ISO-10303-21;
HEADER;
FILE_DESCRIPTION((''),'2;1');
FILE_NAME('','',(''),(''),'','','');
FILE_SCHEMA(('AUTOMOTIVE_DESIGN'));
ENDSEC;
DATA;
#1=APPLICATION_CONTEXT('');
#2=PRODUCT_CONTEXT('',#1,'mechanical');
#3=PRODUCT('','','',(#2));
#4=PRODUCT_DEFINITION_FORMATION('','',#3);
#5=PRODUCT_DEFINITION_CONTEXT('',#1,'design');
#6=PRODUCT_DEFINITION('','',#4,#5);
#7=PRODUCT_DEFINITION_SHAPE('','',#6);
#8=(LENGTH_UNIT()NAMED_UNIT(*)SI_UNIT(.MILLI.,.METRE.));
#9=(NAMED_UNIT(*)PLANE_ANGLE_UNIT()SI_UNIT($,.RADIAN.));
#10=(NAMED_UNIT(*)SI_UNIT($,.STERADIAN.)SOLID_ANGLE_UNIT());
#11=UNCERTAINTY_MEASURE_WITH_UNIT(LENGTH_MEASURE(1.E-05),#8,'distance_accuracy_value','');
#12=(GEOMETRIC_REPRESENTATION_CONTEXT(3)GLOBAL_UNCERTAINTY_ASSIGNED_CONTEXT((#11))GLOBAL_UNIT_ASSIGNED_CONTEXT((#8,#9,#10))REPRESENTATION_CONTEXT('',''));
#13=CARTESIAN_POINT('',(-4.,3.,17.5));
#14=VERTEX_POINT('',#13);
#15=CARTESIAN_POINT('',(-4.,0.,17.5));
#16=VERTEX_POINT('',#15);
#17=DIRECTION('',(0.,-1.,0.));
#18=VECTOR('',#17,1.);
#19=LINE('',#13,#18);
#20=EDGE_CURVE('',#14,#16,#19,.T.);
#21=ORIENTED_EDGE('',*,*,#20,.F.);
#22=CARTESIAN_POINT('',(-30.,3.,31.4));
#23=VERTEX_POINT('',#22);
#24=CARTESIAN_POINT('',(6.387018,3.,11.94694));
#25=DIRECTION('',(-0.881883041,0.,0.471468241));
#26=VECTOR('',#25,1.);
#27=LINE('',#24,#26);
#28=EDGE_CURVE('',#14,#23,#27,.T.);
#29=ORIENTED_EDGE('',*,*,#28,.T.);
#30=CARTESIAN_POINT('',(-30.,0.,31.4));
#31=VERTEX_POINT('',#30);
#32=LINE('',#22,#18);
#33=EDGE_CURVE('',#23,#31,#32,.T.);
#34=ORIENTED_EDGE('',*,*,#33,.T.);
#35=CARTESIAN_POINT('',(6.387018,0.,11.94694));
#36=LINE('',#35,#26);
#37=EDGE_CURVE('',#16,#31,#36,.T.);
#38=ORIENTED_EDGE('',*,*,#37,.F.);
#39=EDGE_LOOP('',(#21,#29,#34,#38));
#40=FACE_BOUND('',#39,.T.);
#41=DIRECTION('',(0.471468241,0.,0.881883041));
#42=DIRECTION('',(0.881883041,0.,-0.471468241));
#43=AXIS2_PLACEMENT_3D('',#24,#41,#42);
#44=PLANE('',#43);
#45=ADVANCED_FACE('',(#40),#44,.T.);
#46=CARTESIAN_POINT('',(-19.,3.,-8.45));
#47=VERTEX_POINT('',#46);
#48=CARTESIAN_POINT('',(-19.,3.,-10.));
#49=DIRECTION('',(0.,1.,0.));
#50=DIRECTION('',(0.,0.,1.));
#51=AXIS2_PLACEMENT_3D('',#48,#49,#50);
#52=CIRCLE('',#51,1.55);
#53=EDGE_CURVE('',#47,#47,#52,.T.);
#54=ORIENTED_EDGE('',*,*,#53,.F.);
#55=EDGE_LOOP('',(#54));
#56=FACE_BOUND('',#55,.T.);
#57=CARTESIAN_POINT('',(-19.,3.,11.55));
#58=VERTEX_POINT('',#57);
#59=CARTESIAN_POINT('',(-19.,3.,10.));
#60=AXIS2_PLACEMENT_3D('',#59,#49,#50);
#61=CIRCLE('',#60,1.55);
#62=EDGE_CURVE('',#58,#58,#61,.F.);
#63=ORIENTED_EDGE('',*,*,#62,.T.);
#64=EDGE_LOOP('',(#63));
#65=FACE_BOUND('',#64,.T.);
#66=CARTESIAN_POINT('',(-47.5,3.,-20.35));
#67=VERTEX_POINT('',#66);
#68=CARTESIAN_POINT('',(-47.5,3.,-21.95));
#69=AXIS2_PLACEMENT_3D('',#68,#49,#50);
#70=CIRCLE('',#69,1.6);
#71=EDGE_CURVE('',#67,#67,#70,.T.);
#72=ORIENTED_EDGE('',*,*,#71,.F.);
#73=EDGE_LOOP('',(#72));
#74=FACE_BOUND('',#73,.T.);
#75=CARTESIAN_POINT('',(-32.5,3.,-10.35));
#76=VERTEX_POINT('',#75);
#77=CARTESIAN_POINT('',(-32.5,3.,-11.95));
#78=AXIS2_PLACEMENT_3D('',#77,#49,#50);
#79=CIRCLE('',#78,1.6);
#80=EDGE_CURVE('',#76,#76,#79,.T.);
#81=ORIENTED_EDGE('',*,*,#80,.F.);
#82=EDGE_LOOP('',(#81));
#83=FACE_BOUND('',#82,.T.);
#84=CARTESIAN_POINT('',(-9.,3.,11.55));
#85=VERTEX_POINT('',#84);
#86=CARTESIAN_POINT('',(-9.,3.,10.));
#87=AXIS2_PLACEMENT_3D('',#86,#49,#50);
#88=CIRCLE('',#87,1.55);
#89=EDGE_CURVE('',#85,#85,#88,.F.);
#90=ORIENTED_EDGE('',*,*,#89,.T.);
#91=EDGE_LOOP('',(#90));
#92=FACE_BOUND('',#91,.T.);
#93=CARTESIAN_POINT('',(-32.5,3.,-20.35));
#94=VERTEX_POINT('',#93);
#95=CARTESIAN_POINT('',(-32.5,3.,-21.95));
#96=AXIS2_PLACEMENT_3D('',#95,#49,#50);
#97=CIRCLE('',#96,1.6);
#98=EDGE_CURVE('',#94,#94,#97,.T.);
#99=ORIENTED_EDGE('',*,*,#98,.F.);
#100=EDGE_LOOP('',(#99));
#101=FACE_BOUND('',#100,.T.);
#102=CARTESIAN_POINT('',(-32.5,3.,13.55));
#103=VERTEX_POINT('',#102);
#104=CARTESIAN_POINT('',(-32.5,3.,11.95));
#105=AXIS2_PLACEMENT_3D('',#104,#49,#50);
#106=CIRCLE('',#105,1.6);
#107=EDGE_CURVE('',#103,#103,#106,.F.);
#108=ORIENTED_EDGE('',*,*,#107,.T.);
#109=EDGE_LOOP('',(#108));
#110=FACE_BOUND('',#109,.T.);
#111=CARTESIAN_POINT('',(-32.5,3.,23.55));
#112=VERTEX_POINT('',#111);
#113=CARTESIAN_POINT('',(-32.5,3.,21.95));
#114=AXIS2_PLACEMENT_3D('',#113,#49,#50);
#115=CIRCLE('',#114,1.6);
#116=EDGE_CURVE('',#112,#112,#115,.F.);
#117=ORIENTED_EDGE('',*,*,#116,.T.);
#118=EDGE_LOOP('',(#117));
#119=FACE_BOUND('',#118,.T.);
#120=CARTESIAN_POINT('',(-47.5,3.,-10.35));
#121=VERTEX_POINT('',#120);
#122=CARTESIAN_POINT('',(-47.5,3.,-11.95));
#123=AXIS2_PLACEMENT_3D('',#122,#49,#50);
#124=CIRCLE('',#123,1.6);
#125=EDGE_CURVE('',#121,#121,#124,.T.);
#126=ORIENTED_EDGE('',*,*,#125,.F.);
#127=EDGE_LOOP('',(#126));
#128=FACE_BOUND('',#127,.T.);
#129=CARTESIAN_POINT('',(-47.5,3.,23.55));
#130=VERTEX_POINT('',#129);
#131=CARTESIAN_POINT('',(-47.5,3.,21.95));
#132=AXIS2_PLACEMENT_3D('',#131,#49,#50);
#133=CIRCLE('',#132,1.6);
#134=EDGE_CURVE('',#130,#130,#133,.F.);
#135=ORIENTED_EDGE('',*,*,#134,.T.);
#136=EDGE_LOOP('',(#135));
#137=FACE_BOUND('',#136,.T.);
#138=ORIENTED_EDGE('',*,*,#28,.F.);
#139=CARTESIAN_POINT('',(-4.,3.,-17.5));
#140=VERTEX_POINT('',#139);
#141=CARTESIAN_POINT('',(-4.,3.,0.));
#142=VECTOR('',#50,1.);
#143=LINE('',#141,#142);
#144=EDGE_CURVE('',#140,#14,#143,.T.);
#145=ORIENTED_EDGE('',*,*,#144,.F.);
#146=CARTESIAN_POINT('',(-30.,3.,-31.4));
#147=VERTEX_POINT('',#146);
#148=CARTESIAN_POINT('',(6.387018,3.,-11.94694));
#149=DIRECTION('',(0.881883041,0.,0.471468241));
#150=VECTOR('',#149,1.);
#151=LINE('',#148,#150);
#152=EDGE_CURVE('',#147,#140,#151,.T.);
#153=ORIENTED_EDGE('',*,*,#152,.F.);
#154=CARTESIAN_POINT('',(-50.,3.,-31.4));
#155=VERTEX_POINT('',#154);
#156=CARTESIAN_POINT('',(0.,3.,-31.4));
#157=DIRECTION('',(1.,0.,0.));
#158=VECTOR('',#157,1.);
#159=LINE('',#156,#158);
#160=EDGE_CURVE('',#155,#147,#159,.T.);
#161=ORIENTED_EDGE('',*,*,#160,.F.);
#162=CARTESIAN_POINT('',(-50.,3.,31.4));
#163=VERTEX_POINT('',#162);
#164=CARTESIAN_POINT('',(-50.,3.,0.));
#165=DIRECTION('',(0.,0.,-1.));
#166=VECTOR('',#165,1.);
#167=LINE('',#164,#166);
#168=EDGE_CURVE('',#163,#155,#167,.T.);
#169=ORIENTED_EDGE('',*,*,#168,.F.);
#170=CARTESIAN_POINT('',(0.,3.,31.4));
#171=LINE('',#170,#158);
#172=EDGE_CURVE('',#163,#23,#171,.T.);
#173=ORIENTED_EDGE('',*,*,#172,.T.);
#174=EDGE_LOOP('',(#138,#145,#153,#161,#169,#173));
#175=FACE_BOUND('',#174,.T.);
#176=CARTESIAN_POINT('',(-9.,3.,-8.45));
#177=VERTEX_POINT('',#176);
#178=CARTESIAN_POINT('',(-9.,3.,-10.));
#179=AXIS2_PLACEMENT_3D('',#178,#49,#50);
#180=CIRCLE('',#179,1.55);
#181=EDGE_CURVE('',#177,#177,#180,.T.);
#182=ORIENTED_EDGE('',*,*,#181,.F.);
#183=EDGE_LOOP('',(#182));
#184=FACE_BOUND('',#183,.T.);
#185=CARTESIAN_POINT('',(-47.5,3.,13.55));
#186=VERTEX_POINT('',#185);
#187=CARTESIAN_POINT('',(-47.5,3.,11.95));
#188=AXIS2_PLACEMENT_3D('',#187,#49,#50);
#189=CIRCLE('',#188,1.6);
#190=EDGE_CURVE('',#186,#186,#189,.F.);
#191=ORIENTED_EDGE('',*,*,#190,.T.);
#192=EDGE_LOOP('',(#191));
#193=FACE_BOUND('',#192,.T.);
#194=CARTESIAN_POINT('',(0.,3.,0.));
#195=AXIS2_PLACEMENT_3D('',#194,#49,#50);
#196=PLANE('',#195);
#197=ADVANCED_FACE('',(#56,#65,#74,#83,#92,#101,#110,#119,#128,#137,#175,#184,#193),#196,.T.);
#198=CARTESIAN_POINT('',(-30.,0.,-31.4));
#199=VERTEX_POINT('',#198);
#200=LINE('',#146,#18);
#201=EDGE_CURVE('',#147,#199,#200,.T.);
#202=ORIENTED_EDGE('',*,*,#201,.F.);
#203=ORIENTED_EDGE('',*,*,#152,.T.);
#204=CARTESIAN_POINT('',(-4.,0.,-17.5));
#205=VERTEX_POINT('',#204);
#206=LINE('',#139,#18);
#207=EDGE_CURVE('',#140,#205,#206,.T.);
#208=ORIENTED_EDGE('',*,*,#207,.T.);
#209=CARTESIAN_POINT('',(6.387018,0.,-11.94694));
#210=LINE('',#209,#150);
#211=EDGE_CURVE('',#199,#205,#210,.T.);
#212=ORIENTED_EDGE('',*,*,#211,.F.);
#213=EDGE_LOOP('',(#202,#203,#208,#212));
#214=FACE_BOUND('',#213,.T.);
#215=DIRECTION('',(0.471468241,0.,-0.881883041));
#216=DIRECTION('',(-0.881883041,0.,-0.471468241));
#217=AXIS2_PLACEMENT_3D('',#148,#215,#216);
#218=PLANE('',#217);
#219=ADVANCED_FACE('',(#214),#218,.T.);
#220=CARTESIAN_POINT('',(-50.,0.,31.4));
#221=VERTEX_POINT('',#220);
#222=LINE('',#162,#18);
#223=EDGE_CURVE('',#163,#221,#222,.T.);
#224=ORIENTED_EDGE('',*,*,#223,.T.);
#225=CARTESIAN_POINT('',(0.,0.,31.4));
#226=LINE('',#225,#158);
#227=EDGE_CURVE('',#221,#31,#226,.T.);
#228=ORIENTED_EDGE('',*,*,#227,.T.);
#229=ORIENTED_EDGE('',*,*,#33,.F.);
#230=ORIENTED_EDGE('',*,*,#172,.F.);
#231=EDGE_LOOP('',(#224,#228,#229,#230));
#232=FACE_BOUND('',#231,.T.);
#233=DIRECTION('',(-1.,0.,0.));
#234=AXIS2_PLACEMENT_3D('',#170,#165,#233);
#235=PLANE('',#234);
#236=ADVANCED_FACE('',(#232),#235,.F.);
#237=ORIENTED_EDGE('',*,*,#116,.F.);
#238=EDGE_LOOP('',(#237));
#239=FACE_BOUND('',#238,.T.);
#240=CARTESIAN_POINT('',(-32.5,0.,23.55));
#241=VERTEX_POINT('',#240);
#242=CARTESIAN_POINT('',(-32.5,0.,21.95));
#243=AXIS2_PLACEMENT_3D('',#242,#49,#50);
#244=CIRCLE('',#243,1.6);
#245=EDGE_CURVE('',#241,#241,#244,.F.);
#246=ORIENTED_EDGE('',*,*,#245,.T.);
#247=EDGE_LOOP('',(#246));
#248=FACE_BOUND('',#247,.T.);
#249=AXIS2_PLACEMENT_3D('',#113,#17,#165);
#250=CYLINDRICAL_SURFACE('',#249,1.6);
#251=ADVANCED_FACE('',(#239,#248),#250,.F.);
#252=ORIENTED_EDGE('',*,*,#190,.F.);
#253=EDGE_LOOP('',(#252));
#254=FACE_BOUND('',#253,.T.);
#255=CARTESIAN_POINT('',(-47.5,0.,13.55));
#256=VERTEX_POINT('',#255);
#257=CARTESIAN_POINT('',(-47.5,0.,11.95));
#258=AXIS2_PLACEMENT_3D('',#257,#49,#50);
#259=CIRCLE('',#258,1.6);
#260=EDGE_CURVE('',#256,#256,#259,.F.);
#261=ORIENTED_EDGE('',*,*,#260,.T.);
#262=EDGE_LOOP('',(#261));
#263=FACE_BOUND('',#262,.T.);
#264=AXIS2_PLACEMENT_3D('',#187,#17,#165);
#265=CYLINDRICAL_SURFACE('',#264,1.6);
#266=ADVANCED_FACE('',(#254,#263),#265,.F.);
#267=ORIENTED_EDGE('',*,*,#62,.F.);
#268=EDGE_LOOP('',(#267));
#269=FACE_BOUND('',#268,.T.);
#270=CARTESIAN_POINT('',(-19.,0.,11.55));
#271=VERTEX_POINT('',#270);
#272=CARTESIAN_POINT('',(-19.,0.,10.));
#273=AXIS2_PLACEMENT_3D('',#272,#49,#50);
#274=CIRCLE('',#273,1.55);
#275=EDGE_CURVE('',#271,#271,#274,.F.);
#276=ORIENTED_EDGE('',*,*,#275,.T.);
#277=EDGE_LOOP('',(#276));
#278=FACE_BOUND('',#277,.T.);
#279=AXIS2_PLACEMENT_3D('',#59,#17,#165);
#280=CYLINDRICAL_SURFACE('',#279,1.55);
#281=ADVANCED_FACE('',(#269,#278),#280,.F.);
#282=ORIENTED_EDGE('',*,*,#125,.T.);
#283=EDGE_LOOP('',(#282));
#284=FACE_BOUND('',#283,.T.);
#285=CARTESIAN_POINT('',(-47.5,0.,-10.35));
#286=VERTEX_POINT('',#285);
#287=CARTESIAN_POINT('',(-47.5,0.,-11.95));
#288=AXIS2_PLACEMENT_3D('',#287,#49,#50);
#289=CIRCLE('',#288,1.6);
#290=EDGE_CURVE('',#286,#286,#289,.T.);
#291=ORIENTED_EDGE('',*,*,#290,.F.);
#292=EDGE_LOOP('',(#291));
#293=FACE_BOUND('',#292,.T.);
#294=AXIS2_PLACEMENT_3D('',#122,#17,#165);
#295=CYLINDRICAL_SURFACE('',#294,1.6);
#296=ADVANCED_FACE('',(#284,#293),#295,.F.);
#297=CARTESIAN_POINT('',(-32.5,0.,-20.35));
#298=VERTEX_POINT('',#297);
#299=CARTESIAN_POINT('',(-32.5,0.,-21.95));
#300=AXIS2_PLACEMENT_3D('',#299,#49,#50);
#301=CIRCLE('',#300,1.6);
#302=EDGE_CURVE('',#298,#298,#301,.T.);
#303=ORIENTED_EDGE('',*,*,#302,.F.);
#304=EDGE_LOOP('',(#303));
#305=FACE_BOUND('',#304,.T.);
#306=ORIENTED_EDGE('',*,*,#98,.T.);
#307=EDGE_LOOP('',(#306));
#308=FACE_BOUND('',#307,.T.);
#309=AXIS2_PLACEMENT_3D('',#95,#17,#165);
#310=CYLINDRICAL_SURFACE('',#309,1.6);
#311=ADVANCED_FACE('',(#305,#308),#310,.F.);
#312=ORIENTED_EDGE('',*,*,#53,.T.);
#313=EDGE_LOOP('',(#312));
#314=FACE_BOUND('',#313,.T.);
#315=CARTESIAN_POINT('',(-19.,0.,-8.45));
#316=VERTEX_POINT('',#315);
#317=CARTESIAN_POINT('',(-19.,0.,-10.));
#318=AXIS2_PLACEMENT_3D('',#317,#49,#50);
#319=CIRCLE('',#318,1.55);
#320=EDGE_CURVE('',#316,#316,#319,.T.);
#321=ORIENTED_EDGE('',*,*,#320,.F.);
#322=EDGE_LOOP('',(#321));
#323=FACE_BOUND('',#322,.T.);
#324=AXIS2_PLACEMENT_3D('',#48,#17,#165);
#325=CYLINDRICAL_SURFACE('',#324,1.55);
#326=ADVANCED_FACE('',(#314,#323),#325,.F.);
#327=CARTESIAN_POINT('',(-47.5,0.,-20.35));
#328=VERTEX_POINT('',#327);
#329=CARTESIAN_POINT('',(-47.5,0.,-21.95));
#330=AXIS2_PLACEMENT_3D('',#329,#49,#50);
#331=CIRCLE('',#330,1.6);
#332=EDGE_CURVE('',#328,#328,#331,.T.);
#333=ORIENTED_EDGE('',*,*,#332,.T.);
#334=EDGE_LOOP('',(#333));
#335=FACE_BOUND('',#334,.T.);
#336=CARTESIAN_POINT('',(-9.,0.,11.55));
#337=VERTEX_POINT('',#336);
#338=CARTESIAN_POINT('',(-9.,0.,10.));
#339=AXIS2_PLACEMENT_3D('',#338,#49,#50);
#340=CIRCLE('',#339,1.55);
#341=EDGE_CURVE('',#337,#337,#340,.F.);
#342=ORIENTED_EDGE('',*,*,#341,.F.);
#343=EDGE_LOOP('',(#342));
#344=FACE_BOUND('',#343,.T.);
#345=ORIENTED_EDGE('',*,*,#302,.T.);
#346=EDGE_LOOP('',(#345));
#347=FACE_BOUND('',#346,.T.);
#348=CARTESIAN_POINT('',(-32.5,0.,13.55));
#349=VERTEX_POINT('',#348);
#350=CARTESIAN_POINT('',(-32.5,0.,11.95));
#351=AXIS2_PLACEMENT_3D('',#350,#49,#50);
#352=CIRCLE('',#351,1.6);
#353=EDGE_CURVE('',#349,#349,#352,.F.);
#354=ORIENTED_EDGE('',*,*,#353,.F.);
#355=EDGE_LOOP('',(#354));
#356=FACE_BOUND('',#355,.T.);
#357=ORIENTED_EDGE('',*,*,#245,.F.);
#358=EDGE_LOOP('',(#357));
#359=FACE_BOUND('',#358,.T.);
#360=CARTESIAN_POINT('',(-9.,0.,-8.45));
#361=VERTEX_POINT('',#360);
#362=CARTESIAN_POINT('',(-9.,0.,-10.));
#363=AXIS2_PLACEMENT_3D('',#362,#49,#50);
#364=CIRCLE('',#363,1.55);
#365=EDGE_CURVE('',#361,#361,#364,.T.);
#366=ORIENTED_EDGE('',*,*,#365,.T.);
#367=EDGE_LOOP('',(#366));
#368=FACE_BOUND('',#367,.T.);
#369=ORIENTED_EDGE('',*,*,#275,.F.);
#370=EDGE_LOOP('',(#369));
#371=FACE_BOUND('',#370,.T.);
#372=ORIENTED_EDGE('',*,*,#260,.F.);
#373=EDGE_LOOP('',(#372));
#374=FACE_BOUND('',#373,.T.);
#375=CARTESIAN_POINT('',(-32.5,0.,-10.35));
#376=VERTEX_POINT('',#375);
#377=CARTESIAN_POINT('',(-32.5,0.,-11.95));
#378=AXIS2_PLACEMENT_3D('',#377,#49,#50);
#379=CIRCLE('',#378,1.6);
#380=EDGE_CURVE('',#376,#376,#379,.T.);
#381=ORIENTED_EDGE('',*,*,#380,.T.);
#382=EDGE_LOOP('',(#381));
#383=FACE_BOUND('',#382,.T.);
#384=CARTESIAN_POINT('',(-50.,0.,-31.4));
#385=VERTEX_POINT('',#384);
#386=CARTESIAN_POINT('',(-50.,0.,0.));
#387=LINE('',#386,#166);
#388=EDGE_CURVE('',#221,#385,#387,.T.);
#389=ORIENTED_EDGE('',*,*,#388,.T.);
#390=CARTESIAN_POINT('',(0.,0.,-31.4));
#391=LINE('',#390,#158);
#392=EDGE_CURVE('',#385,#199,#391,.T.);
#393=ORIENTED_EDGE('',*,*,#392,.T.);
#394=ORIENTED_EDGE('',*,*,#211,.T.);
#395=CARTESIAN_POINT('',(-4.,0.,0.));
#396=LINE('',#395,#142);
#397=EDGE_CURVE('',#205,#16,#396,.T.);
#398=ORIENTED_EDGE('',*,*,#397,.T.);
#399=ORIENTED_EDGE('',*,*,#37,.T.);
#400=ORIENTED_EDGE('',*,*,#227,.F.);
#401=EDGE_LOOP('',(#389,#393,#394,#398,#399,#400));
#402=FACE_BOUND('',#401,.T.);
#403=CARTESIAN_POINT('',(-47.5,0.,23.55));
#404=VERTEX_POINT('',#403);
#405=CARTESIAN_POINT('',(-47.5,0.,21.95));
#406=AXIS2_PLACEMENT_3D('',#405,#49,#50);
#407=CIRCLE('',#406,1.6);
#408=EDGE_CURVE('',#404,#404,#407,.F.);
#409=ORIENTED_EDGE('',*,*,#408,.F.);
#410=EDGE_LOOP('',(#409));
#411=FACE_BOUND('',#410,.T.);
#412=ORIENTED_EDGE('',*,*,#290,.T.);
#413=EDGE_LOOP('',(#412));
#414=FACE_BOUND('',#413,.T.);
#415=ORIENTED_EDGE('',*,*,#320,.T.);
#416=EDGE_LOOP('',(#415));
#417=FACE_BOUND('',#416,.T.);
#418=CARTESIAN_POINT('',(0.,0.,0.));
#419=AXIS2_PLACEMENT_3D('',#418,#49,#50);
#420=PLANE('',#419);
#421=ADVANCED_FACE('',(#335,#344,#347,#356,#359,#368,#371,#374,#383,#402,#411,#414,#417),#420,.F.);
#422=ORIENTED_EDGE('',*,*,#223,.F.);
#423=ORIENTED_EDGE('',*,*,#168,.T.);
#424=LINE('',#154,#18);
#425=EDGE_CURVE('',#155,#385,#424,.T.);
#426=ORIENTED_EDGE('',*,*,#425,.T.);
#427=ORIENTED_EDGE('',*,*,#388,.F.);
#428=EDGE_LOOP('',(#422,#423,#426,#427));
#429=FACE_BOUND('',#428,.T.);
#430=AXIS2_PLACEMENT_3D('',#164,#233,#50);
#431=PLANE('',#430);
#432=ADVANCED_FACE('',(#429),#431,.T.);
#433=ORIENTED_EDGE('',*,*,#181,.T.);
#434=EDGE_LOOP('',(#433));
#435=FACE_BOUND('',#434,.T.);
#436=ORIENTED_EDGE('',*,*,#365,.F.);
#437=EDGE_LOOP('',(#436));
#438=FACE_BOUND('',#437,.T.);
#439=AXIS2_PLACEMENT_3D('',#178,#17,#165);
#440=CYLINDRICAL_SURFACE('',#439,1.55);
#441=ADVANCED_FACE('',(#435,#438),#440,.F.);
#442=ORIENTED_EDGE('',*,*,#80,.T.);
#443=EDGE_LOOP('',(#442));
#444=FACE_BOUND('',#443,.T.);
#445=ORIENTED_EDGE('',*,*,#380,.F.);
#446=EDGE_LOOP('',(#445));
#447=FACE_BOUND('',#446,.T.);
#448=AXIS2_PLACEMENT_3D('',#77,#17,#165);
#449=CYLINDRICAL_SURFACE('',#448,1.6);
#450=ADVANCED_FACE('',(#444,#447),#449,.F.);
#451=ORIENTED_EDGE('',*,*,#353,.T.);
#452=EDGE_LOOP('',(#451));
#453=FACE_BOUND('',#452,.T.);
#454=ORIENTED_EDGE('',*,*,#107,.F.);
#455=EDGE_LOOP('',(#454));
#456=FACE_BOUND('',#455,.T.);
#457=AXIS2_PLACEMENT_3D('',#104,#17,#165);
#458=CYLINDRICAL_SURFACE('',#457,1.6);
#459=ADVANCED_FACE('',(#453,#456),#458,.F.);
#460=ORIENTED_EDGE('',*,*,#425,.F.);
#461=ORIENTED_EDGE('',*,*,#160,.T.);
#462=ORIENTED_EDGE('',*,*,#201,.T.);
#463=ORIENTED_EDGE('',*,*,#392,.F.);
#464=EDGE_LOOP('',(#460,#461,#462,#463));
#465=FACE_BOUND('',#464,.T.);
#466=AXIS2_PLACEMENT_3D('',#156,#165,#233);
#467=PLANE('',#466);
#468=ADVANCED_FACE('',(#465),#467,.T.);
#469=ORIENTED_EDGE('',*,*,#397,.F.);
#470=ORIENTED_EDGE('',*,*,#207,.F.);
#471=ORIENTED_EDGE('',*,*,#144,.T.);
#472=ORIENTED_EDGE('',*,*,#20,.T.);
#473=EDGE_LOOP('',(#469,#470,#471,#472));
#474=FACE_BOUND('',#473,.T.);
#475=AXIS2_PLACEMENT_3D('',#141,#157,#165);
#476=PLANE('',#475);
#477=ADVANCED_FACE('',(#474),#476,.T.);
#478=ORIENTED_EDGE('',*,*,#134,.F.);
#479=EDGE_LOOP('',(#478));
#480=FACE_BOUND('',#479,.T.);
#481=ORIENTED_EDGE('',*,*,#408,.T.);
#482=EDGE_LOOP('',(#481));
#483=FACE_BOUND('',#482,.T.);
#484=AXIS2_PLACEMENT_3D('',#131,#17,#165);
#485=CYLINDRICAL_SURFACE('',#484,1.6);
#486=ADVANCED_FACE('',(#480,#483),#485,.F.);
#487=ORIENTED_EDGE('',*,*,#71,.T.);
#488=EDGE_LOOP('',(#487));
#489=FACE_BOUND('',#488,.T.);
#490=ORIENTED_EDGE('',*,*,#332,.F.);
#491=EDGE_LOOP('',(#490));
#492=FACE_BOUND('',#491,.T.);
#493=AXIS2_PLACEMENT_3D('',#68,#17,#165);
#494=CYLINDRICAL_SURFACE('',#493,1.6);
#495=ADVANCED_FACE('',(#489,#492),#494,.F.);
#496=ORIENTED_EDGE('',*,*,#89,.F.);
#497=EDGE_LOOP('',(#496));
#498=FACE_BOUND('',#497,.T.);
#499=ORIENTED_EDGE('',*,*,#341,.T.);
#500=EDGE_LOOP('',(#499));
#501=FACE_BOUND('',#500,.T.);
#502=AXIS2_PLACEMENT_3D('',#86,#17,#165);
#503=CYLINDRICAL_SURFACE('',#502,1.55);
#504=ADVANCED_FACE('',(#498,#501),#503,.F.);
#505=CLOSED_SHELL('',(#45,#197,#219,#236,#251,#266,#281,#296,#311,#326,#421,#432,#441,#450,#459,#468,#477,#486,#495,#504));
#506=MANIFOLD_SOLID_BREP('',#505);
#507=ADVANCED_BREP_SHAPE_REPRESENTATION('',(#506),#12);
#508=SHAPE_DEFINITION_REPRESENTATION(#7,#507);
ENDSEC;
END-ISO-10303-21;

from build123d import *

# Parameters (mm, degrees)
SKETCH_1_R      = 1.6
SKETCH_1_R_2    = 1.55
EXTRUDE_1_DEPTH = 3


with BuildPart() as part:
    # 草图1 → 凸台-拉伸1 (new body)
    with BuildSketch(Plane(origin=(0, 0, 0), x_dir=(1, 0, 0), z_dir=(0, 1, 0))):
        Polygon((-50, -31.4), (-50, 31.4), (-30, 31.4), (-4, 17.5), (-4, -17.5), (-30, -31.4), align=None)
        with Locations(Location((-47.5, 21.95, 0), (0, 0, 270))):
            Circle(SKETCH_1_R, mode=Mode.SUBTRACT)
        with Locations(Location((-32.5, 21.95, 0), (0, 0, 270))):
            Circle(SKETCH_1_R, mode=Mode.SUBTRACT)
        with Locations(Location((-47.5, 11.95, 0), (0, 0, 270))):
            Circle(SKETCH_1_R, mode=Mode.SUBTRACT)
        with Locations(Location((-32.5, 11.95, 0), (0, 0, 270))):
            Circle(SKETCH_1_R, mode=Mode.SUBTRACT)
        with Locations(Location((-32.5, -11.95, 0), (0, 0, 270))):
            Circle(SKETCH_1_R, mode=Mode.SUBTRACT)
        with Locations(Location((-47.5, -11.95, 0), (0, 0, 270))):
            Circle(SKETCH_1_R, mode=Mode.SUBTRACT)
        with Locations(Location((-32.5, -21.95, 0), (0, 0, 270))):
            Circle(SKETCH_1_R, mode=Mode.SUBTRACT)
        with Locations(Location((-47.5, -21.95, 0), (0, 0, 270))):
            Circle(SKETCH_1_R, mode=Mode.SUBTRACT)
        with Locations(Location((-19, 10, 0), (0, 0, 270))):
            Circle(SKETCH_1_R_2, mode=Mode.SUBTRACT)
        with Locations(Location((-9, 10, 0), (0, 0, 270))):
            Circle(SKETCH_1_R_2, mode=Mode.SUBTRACT)
        with Locations(Location((-9, -10, 0), (0, 0, 270))):
            Circle(SKETCH_1_R_2, mode=Mode.SUBTRACT)
        with Locations(Location((-19, -10, 0), (0, 0, 270))):
            Circle(SKETCH_1_R_2, mode=Mode.SUBTRACT)
    extrude(amount=EXTRUDE_1_DEPTH)


solid = part.part
